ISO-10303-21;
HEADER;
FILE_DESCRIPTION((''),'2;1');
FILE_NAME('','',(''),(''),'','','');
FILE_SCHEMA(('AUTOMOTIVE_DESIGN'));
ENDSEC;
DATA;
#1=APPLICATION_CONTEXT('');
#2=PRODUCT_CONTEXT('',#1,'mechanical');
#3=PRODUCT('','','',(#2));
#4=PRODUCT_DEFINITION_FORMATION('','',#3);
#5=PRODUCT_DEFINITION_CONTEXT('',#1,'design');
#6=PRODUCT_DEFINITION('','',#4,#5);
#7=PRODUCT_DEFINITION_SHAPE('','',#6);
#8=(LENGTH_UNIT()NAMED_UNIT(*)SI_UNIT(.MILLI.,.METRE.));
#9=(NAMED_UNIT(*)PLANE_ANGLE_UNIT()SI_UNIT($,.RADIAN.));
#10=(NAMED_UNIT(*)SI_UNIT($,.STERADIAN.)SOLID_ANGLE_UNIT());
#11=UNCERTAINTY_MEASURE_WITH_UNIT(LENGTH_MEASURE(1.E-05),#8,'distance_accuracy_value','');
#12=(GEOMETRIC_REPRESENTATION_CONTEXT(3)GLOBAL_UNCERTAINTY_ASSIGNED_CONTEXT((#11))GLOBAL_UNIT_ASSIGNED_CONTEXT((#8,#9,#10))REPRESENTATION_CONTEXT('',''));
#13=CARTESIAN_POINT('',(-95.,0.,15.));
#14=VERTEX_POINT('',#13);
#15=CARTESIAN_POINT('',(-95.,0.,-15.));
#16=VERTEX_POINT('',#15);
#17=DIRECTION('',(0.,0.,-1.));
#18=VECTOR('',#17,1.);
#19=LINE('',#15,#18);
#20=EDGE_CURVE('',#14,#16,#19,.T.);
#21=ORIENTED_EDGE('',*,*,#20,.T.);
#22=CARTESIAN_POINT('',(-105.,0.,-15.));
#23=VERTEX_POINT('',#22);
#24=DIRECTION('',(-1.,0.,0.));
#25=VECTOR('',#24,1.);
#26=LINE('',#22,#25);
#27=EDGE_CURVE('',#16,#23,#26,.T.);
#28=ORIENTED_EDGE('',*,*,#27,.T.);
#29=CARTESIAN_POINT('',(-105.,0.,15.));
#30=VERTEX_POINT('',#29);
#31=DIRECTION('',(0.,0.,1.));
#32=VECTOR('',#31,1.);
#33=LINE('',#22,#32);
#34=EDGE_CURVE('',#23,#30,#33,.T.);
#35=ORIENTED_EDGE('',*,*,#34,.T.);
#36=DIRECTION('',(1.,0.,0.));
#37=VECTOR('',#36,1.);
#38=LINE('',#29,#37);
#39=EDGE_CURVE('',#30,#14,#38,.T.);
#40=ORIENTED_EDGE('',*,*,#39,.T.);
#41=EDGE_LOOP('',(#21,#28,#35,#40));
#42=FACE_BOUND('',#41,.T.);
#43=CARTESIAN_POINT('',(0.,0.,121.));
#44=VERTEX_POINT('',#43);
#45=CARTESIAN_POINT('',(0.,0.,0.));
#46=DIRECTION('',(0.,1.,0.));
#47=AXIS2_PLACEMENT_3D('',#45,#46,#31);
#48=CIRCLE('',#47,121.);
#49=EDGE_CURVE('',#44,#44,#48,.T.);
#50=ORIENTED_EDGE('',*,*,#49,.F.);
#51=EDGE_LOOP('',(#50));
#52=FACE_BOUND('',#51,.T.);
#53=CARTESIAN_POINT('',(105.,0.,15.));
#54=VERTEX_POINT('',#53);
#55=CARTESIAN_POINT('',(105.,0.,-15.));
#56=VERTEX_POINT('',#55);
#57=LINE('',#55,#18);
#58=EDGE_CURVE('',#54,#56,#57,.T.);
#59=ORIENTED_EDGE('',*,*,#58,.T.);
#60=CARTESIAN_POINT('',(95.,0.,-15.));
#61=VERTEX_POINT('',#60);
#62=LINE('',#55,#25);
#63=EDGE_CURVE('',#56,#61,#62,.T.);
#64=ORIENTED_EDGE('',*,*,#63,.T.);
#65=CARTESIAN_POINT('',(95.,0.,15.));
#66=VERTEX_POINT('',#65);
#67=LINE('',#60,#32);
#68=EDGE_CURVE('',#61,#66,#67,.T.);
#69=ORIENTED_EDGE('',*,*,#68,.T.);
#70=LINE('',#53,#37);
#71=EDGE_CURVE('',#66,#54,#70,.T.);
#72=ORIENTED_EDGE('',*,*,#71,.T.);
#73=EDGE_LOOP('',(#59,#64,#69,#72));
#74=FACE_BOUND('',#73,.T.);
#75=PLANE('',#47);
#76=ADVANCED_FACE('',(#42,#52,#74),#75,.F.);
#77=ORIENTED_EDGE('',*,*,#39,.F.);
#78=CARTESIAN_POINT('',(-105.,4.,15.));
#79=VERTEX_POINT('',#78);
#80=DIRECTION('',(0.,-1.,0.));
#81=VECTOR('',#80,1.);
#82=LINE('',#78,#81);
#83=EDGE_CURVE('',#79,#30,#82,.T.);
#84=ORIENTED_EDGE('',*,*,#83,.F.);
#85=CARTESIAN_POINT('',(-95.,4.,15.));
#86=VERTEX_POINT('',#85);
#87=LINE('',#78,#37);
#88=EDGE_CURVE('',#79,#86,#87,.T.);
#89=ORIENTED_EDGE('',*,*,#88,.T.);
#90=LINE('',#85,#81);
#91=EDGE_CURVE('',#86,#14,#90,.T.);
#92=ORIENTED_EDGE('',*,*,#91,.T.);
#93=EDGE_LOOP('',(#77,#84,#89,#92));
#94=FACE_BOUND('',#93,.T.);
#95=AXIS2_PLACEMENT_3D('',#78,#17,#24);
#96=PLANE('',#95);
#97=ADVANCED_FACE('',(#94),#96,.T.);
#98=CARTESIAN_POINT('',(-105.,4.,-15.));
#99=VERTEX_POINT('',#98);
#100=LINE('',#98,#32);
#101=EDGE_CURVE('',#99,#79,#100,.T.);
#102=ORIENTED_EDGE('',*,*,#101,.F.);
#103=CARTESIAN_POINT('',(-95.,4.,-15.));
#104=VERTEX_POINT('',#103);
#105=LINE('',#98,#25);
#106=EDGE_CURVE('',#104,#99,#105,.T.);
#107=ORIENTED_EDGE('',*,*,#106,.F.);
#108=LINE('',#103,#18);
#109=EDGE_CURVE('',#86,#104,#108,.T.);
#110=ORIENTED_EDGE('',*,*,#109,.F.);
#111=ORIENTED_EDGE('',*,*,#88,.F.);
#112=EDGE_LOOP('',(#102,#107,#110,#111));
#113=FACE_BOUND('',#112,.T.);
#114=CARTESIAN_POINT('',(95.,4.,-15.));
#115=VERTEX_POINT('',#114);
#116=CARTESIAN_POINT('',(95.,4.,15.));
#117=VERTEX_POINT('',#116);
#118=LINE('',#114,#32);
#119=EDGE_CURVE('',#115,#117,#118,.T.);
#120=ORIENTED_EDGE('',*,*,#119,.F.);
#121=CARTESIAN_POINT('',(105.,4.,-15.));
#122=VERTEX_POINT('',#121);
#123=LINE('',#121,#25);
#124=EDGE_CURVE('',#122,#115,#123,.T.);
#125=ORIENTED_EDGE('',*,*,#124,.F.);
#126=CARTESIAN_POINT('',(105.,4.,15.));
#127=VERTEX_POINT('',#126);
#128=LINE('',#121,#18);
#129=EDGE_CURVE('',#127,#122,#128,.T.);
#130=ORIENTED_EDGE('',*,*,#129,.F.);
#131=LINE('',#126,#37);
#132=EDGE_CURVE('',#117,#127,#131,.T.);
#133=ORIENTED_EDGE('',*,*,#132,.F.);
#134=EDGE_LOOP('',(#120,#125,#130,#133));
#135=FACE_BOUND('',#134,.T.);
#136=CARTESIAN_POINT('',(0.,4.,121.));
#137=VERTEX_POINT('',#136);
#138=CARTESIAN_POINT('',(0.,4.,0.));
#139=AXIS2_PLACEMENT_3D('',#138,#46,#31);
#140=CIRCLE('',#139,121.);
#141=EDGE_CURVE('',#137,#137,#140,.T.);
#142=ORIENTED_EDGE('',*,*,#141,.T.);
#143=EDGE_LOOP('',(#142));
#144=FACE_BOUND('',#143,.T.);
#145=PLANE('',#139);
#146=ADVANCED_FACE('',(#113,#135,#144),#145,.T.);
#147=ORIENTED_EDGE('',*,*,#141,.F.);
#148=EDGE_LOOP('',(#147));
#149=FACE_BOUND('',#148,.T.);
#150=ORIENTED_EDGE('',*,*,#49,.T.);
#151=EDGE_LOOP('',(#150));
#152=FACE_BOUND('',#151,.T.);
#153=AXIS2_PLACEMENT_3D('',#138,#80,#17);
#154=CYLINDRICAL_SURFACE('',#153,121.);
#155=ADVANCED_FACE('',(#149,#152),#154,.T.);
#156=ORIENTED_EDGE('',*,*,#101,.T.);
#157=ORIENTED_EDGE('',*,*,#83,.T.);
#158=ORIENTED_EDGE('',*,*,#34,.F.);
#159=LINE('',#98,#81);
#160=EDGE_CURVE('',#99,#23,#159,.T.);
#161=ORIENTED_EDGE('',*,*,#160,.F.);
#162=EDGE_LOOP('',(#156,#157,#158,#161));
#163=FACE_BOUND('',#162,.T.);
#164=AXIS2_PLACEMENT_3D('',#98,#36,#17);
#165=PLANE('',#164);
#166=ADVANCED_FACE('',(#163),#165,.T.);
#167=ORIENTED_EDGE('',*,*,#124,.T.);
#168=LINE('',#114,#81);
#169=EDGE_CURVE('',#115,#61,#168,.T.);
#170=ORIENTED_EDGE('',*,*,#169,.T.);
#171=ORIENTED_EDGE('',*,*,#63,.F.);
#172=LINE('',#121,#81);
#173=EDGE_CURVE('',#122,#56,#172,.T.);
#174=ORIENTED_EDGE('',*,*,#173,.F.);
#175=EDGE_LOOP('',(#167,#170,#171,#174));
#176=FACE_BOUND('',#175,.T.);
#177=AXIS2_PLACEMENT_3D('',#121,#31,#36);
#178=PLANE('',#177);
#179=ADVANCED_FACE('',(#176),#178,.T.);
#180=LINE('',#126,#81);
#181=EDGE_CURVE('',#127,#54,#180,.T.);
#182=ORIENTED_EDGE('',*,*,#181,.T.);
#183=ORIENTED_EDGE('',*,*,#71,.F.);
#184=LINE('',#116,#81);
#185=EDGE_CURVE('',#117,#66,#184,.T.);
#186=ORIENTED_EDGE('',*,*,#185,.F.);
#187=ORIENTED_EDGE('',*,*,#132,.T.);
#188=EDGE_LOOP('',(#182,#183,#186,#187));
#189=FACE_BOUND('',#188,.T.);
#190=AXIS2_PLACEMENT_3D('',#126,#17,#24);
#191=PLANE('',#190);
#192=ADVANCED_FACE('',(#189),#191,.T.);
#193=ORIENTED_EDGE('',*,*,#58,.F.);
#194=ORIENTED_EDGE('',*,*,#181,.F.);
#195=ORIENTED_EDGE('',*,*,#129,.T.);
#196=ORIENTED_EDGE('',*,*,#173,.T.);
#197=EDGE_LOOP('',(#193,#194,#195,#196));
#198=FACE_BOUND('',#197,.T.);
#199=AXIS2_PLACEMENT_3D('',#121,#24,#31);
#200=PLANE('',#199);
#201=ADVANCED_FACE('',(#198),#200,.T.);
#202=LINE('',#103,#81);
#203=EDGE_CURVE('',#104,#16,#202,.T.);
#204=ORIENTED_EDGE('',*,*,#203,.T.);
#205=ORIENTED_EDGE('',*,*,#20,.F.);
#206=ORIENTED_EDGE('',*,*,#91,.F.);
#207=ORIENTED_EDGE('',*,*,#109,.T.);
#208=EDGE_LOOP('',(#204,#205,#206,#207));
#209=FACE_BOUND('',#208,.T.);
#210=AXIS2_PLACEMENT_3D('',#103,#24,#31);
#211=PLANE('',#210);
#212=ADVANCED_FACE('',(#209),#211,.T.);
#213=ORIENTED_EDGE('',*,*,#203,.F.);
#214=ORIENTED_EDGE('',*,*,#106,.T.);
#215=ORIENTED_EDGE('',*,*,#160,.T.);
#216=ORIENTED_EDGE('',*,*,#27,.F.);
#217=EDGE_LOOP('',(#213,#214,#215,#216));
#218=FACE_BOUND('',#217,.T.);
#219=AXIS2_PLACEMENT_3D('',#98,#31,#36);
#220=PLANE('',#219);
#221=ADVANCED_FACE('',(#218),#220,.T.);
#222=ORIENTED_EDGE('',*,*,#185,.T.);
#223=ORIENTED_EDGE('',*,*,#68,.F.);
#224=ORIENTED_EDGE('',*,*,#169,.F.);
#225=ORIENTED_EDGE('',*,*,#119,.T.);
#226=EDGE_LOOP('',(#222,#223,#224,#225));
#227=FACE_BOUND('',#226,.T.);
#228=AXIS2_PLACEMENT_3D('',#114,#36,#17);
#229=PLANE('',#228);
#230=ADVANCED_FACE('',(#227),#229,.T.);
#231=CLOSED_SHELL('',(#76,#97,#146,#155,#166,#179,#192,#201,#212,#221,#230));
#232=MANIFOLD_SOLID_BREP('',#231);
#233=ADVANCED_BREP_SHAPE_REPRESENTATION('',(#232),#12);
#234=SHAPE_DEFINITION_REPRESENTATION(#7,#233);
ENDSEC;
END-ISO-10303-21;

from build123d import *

# Parameters (mm, degrees)
BOTTOM_R             = 121
BOTTOM_W             = 10
BOTTOM_H             = 30
BOTTOM_EXTRUDE_DEPTH = 4


with BuildPart() as part:
    # Bottom → Bottom-Extrude (new body)
    with BuildSketch(Plane(origin=(0, 0, 0), x_dir=(-1, 0, 0), z_dir=(0, 1, 0))):
        with Locations(Location((0, 0, 0), (0, 0, 90))):
            Circle(BOTTOM_R)
        with Locations((100, 0)):
            Rectangle(BOTTOM_W, BOTTOM_H, mode=Mode.SUBTRACT)
        with Locations((-100, 0)):
            Rectangle(BOTTOM_W, BOTTOM_H, mode=Mode.SUBTRACT)
    extrude(amount=BOTTOM_EXTRUDE_DEPTH)


solid = part.part
